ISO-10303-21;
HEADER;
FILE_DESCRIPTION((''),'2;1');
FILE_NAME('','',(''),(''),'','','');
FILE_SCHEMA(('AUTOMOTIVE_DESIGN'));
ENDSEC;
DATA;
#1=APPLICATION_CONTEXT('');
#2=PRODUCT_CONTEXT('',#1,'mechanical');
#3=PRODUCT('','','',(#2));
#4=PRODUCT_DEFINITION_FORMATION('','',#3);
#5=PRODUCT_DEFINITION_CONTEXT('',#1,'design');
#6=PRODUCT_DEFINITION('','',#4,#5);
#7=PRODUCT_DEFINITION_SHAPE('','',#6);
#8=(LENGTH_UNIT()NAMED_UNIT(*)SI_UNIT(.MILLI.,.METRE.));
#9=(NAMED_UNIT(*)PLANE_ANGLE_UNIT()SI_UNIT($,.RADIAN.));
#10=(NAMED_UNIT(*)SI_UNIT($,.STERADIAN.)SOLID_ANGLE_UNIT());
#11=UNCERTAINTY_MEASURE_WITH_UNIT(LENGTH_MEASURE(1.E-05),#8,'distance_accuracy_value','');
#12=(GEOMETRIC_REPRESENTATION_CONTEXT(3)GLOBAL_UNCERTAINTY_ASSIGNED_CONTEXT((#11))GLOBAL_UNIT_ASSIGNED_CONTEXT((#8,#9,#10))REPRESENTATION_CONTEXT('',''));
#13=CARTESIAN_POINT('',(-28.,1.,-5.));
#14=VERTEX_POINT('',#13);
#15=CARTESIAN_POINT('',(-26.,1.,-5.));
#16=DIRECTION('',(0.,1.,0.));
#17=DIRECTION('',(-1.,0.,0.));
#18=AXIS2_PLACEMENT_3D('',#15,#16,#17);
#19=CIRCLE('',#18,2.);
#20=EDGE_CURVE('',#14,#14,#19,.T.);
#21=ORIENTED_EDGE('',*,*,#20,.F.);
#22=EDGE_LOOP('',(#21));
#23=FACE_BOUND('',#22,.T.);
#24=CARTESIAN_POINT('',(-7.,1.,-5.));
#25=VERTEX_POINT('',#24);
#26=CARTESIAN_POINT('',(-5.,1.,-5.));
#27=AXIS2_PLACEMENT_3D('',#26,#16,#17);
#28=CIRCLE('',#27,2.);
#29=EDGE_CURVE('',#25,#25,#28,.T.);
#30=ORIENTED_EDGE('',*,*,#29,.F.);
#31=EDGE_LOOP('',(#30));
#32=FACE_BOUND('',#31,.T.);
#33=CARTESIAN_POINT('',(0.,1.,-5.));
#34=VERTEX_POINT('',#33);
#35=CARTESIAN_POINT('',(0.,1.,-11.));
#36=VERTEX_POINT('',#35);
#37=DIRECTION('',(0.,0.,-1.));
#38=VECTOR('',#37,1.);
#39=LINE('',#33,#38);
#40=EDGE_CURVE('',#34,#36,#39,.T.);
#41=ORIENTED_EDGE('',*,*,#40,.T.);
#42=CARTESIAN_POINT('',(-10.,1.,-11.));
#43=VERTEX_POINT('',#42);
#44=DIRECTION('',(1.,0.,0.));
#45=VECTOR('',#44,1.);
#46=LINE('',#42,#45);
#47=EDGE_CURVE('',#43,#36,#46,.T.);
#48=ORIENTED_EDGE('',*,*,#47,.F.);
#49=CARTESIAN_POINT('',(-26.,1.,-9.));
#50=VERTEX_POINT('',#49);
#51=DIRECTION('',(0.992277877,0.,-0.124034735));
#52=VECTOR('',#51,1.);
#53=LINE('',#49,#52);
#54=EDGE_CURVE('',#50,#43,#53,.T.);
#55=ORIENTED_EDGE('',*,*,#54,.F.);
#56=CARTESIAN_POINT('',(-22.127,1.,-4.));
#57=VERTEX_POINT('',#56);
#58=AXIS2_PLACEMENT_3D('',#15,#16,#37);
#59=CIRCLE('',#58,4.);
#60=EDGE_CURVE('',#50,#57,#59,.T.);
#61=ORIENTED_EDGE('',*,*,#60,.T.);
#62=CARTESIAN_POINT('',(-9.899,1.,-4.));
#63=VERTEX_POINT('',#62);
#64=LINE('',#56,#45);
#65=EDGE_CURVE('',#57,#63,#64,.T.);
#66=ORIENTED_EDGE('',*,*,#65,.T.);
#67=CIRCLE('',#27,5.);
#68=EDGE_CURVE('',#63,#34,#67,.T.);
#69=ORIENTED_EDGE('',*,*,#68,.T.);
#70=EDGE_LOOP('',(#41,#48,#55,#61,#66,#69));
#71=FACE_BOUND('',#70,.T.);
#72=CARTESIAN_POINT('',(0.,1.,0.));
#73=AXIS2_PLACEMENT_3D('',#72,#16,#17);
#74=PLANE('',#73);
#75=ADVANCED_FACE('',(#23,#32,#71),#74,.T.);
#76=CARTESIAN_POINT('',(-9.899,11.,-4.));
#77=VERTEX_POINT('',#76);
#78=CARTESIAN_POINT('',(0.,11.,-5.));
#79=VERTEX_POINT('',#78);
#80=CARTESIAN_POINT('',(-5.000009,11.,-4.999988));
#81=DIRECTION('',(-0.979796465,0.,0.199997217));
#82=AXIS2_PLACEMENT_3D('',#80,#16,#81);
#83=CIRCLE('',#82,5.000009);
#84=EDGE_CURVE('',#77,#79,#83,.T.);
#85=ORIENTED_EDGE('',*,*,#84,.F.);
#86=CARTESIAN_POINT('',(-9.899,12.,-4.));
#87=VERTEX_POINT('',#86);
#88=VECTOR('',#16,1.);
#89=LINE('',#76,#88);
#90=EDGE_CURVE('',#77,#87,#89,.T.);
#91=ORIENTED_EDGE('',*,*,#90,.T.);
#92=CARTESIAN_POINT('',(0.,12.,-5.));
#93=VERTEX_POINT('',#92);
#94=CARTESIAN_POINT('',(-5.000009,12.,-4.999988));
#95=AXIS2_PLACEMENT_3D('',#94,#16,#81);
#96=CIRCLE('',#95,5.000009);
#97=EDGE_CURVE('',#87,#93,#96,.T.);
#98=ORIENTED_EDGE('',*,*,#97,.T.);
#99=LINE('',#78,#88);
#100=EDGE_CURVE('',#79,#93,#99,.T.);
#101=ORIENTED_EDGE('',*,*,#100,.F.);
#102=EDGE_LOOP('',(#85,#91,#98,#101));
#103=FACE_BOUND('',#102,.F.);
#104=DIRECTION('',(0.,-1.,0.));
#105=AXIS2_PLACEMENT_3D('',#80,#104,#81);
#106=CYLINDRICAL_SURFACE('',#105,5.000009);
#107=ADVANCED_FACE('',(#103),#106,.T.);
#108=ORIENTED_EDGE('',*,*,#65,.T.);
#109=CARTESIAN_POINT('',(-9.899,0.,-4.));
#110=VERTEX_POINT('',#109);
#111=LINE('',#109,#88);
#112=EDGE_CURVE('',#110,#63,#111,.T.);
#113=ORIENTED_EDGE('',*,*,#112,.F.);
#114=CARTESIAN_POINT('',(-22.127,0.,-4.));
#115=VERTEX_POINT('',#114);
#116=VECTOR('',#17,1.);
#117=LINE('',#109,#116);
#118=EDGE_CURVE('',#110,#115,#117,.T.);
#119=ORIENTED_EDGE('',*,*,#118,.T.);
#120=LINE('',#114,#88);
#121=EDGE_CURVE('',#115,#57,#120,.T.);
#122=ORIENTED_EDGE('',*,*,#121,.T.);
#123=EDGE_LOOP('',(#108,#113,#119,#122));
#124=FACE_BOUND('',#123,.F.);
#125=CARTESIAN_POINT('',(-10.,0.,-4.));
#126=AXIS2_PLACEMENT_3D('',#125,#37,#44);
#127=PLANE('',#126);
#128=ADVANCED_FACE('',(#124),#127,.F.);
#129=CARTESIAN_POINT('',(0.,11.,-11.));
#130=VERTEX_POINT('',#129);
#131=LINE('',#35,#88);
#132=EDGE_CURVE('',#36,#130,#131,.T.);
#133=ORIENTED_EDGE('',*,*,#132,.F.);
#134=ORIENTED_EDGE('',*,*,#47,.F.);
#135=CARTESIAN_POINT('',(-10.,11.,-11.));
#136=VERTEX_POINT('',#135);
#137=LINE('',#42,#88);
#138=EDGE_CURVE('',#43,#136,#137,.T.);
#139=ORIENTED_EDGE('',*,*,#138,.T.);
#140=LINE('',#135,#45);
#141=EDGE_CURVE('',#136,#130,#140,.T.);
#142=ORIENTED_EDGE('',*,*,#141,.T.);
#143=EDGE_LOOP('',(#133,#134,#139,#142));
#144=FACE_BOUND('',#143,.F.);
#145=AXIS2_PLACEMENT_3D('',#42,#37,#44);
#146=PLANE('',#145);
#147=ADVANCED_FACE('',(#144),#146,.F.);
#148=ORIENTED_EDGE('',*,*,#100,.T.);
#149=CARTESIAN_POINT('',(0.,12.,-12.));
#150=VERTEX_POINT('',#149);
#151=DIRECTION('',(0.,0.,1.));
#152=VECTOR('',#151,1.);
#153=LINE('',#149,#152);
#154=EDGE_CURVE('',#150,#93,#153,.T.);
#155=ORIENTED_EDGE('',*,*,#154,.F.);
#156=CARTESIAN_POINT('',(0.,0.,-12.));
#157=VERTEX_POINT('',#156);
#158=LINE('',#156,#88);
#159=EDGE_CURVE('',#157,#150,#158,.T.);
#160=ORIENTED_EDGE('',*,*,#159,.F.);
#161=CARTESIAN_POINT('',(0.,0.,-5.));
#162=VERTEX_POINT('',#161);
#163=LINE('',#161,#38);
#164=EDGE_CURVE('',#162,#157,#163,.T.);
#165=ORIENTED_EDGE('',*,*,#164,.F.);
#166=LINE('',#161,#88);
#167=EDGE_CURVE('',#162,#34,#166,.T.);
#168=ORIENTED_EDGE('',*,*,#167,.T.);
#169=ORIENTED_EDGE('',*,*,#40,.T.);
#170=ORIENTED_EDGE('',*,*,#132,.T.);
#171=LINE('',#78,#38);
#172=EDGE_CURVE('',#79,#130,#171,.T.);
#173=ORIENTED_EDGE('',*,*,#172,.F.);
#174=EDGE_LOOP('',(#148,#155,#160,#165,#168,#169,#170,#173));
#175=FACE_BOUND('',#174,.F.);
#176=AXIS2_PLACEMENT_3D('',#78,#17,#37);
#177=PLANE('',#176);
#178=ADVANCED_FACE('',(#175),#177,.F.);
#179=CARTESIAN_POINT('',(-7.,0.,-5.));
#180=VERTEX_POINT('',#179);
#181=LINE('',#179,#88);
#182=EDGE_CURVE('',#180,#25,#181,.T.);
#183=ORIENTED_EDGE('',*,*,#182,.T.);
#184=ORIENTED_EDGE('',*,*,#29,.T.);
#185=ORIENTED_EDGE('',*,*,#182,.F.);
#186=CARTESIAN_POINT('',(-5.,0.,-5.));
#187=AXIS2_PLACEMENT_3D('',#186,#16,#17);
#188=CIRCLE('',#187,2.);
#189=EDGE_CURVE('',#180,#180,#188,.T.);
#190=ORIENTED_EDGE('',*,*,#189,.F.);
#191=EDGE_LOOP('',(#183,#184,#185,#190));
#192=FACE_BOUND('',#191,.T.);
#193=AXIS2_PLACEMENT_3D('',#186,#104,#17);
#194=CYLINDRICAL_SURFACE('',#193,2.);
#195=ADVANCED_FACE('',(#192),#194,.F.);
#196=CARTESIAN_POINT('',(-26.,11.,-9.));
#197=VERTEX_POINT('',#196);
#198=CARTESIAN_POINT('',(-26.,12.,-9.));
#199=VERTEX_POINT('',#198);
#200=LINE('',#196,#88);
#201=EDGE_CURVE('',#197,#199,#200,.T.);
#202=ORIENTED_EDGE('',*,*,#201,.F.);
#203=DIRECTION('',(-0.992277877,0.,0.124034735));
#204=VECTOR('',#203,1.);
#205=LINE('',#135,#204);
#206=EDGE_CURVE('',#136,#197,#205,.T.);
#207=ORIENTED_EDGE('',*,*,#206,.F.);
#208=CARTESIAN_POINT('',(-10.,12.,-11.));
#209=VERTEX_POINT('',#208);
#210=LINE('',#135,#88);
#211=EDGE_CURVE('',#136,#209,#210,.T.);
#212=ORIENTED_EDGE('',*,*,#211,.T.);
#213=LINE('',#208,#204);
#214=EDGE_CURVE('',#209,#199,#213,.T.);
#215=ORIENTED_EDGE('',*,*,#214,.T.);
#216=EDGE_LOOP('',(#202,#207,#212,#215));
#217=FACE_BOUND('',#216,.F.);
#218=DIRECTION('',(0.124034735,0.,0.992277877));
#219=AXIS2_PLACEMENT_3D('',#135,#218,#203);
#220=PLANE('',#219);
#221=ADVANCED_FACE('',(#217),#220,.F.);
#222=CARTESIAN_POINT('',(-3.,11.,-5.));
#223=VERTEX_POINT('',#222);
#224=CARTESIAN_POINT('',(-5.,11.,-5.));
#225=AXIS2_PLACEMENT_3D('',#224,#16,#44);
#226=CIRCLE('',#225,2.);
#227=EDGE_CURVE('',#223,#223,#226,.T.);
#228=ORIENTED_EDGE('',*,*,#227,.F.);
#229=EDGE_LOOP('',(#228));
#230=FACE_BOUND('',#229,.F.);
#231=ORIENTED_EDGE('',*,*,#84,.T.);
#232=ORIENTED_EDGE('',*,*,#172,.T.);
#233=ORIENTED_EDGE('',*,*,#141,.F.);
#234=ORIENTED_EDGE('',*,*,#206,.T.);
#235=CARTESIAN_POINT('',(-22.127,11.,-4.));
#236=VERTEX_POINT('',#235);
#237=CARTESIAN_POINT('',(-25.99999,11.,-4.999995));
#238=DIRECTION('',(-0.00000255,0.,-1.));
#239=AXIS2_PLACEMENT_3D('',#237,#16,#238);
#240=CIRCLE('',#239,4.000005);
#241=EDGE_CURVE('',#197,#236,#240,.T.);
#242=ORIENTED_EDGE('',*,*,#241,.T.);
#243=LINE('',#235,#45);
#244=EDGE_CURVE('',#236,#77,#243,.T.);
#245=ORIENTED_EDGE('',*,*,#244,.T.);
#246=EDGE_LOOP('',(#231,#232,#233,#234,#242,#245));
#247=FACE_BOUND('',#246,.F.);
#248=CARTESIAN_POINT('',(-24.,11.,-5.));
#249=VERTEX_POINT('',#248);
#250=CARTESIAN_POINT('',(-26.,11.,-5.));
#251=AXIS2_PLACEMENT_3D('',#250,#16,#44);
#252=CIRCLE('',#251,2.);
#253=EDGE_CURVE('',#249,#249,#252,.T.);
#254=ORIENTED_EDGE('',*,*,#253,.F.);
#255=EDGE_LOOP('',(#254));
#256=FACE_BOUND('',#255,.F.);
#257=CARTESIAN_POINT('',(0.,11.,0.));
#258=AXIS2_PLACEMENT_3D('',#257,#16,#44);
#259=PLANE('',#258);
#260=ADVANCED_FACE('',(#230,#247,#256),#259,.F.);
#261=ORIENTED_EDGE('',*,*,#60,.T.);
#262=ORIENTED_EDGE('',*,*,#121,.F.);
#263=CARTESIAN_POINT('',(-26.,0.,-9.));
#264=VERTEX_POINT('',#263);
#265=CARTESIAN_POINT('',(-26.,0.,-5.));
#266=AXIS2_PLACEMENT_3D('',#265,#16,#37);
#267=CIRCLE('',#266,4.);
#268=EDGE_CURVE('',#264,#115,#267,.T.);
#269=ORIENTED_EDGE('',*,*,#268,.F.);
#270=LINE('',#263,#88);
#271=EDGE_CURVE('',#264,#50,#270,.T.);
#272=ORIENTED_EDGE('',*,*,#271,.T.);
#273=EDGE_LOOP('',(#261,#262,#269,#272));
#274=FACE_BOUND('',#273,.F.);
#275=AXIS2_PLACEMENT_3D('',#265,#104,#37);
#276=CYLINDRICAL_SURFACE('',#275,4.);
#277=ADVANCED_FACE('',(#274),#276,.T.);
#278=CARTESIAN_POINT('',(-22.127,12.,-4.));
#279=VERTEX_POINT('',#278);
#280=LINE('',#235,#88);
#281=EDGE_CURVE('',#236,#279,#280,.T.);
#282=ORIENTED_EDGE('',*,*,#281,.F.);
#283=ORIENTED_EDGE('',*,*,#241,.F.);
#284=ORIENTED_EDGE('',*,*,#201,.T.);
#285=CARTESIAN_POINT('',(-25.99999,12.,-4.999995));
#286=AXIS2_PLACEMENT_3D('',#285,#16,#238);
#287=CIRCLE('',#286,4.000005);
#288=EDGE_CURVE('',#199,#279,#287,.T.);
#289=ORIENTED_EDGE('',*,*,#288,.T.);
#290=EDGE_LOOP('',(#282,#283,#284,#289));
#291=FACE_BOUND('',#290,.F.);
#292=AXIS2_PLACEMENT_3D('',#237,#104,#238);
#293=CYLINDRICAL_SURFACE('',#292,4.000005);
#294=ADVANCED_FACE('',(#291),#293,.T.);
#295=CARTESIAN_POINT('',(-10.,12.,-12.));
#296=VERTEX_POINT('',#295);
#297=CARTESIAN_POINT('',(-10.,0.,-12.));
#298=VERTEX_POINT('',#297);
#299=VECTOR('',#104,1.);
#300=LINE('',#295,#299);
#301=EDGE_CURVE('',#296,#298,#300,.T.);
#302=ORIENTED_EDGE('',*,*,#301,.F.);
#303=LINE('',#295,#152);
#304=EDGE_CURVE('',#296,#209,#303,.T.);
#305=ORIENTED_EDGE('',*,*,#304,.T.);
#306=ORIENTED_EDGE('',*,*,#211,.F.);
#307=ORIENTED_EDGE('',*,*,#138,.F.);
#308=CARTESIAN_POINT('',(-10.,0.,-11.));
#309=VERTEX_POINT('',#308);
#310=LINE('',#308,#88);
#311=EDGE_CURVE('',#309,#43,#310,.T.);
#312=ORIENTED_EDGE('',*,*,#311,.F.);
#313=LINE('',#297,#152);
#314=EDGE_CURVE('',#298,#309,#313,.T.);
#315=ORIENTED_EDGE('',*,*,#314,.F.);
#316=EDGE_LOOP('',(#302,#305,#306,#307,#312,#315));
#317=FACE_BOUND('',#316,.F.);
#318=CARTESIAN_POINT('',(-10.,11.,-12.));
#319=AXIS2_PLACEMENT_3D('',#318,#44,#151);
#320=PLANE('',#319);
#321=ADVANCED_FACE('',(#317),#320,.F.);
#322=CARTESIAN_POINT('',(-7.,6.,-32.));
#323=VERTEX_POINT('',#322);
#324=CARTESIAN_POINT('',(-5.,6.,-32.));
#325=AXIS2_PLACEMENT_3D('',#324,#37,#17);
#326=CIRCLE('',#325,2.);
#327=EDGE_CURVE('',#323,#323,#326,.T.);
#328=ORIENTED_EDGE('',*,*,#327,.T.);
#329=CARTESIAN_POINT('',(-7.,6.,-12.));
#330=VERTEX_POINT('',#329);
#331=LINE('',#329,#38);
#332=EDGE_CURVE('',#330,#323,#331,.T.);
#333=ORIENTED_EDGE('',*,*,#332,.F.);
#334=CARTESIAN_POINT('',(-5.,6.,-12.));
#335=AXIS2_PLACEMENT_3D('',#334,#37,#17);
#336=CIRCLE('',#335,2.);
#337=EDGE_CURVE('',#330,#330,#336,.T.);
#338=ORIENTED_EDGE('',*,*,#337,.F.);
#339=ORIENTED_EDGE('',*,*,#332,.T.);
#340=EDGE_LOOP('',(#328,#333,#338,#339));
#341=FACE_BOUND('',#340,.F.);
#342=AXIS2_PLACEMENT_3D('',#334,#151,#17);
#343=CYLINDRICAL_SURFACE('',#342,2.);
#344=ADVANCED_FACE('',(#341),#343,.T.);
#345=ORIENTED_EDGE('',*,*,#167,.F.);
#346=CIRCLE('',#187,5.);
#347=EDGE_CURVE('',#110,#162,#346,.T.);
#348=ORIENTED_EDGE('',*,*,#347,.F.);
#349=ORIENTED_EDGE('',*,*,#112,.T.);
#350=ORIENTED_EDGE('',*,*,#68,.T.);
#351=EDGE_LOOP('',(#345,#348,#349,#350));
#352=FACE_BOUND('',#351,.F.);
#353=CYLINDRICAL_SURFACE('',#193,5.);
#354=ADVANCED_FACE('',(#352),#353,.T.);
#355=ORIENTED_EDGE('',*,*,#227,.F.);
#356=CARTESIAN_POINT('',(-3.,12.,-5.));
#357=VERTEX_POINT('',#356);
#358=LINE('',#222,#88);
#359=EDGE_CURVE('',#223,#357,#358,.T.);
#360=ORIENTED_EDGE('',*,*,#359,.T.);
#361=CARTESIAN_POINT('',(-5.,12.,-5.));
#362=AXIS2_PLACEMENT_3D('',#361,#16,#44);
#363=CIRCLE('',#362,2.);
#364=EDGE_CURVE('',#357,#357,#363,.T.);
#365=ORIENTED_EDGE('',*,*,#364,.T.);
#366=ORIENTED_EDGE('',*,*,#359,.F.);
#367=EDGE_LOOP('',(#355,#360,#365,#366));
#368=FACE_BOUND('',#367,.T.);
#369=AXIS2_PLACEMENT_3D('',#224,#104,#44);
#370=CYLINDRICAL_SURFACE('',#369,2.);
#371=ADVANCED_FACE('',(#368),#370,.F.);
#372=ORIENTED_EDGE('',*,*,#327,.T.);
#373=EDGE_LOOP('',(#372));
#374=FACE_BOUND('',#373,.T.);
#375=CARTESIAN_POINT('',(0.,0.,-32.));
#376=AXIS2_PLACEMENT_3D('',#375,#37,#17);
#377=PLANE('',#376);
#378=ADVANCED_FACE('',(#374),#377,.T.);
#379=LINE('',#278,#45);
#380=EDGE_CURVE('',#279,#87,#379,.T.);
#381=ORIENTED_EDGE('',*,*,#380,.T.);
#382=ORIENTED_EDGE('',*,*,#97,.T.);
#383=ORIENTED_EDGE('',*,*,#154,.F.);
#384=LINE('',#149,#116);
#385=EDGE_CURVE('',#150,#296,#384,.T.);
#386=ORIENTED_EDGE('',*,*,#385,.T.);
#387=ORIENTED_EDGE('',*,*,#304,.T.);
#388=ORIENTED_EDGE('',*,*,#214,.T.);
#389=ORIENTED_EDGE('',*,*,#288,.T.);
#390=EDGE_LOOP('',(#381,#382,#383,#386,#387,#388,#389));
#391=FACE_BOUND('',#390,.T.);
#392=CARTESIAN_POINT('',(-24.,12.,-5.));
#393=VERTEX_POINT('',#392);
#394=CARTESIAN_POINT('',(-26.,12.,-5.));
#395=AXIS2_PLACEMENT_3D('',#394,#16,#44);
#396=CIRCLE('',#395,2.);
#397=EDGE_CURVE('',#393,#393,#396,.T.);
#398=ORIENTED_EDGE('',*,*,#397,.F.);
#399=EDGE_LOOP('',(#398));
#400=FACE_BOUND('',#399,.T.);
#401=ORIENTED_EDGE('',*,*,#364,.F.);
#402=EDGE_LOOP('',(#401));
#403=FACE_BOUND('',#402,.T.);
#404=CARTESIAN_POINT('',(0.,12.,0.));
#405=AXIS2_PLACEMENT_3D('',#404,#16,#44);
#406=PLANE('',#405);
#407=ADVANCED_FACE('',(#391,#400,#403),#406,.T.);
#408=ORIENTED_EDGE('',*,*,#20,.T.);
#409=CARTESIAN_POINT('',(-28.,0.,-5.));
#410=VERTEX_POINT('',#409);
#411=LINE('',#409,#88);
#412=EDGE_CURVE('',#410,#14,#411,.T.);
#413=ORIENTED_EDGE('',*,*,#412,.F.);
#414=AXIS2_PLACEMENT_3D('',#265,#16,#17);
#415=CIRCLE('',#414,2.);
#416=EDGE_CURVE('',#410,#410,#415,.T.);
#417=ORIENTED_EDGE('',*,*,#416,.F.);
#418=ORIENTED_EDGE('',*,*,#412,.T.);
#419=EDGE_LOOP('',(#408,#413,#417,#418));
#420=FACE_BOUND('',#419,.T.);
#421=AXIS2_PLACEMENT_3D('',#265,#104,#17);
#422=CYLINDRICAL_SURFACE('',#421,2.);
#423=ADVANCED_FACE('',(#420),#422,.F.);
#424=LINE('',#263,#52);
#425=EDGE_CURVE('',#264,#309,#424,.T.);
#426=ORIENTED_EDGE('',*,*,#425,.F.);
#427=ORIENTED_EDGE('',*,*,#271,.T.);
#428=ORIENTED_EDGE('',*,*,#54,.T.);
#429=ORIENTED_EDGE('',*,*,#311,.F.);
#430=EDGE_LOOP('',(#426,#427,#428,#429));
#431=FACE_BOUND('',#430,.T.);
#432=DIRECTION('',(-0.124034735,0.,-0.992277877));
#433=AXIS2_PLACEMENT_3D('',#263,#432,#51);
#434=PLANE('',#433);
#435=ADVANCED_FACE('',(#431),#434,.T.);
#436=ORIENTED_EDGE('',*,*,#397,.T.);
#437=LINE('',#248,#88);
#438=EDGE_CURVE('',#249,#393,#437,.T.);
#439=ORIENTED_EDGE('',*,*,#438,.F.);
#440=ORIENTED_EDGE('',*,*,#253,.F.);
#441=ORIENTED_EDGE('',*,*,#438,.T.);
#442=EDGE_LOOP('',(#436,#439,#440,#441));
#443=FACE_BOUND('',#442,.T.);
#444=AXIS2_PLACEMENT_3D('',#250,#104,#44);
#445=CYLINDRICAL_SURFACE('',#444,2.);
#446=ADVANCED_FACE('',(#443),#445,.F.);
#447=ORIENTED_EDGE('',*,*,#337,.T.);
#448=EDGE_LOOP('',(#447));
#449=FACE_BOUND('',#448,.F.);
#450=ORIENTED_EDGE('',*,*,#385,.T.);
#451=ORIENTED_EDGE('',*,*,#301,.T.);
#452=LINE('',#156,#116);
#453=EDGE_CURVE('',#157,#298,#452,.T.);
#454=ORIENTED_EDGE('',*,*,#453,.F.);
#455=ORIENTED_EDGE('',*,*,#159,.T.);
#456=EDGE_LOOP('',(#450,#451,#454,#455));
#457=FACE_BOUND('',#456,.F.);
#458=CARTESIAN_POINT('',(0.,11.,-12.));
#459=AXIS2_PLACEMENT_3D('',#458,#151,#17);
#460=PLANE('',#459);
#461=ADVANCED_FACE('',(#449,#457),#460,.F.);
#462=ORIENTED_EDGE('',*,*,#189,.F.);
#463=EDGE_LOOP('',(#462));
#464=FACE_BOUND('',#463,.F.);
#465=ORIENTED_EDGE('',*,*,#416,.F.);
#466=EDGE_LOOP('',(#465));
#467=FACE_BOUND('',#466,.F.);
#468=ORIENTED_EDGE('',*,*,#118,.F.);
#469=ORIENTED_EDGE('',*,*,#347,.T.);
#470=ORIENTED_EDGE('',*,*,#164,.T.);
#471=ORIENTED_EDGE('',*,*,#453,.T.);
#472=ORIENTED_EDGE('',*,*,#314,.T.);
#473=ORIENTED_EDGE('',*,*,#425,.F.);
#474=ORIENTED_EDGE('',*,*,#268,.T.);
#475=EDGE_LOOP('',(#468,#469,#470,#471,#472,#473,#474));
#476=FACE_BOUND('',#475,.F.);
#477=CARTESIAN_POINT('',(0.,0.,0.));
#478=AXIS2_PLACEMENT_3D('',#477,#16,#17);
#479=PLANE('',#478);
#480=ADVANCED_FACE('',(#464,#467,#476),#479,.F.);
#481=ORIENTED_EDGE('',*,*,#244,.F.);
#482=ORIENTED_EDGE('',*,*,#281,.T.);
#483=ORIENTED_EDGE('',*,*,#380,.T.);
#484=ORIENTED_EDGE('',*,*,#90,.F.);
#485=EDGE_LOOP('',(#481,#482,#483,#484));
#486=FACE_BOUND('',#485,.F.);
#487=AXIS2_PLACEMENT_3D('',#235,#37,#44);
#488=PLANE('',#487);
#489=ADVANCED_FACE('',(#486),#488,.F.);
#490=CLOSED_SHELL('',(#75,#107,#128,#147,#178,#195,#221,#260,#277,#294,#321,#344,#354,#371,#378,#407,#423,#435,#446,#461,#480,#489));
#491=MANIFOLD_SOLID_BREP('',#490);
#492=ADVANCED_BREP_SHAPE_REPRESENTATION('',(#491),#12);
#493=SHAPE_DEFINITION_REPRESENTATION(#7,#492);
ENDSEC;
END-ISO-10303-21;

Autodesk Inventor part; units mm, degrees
ref_plane "YZ Plane" through (0, 0, 0) normal (1, 0, 0) x (0, 1, 0)
ref_plane "XZ Plane" through (0, 0, 0) normal (0, 1, 0) x (-1, 0, 0)
ref_plane "XY Plane" through (0, 0, 0) normal (0, 0, 1) x (1, 0, 0)
sketch "Sketch1" plane through (0, 0, 0) normal (0, 1, 0) x (-1, 0, 0)
  line L0 (0, -12) -> (10, -12)
  line L1 (10, -12) -> (10, -5)
  line L2 (0, -5) -> (0, -12)
  arc A0 (10, -5) -> (0, -5) centre (5, -5) ccw
  circle A1 centre (5, -5) radius 2
  circle A2 centre (26, -5) radius 2
  line L3 (10, -4) -> (22, -4)
  line L4 (10, -12) -> (10, -11)
  line L5 (26, -9) -> (10, -11)
  arc A3 (26, -9) -> (22, -5) centre (26, -5) ccw
  line L6 (10, -4) -> (9.899, -4)
  line L7 (22, -4) -> (22.127, -4)
  point P0 (0, 0)
  point P1 (0, 0)
  point P2 (9.9495, -4)
  point P3 (5, 0)
  dimension "d269" = 4
  dimension "d270" = 12
  dimension "d271" = 1
  dimension "d272" = 4
  dimension "d273" = 4
  dimension "d274" = -1
  dimension "d275" = -1
  dimension "d278" = 7
  dimension "d279" = 10
  dimension "d280" = 5
  dimension "d282" = 4
  dimension "d284" = 5
  dimension "d286" = 5
  dimension "d287" = 4
extrude "Extrusion1" add sketch "Sketch1" along normal blind 1
sketch "Sketch2" plane through (0, 1, 0) normal (0, 1, 0) x (1, 0, 0)
  line L0 (0, 12) -> (-10, 12) projected
  line L1 (0, 12) -> (-10, 12)
  line L2 (-10, 12) -> (-10, 11)
  line L3 (-10, 11) -> (0, 11)
  line L4 (0, 11) -> (0, 12)
  point P0 (0, 0)
  dimension "d288" = 1
extrude "Extrusion2" add sketch "Sketch2" along normal blind 10
sketch "Sketch3" plane through (0, 11, 0) normal (0, 1, 0) x (1, 0, 0)
  line L0 (0, 5) -> (0, 12) projected
  line L1 (0, 12) -> (-10, 12)
  line L2 (-10, 12) -> (-10, 11)
  line L3 (0, 11) -> (0, 12)
  arc A0 (-9.899, 4) -> (0, 5) centre (-5, 5) ccw projected
  line L4 (0, 11) -> (0, 5)
  line L5 (-22.127, 4) -> (-9.899, 4) projected
  arc A1 (-9.899, 4) -> (0, 5) centre (-5, 5) ccw
  arc A2 (-26, 9) -> (-22.127, 4) centre (-26, 5) ccw projected
  line L6 (-9.899, 4) -> (-22.127, 4)
  line L7 (-10, 11) -> (-26, 9) projected
  line L8 (-10, 11) -> (-26, 9)
  circle A3 centre (-5, 5) radius 2
  circle A4 centre (-26, 5) radius 2
  arc A5 (-26, 9) -> (-22.127, 4) centre (-26, 5) ccw
  dimension "d291" = 4
  dimension "d294" = 4
  dimension "d295" = 4
extrude "Extrusion3" add sketch "Sketch3" along normal blind 1
sketch "Sketch4" plane through (0, 0, -12) normal (0, 0, -1) x (-1, 0, 0)
  circle A0 centre (5, 6) radius 2
  line L0 (0, 0) -> (10, 0) projected
  line L1 (0, 0) -> (0, 12) projected
  dimension "d269" = 4
  dimension "d270" = 12
  dimension "d271" = 1
  dimension "d272" = 4
  dimension "d273" = 4
  dimension "d274" = -1
  dimension "d275" = -1
  dimension "d278" = 7
  dimension "d279" = 10
  dimension "d280" = 5
  dimension "d282" = 4
  dimension "d284" = 5
  dimension "d286" = 5
  dimension "d287" = 4
  dimension "d296" = 4
  dimension "d297" = 6
  dimension "d298" = 5
extrude "Extrusion4" add sketch "Sketch4" along normal blind 20
properties part number "Langbektang houder"
